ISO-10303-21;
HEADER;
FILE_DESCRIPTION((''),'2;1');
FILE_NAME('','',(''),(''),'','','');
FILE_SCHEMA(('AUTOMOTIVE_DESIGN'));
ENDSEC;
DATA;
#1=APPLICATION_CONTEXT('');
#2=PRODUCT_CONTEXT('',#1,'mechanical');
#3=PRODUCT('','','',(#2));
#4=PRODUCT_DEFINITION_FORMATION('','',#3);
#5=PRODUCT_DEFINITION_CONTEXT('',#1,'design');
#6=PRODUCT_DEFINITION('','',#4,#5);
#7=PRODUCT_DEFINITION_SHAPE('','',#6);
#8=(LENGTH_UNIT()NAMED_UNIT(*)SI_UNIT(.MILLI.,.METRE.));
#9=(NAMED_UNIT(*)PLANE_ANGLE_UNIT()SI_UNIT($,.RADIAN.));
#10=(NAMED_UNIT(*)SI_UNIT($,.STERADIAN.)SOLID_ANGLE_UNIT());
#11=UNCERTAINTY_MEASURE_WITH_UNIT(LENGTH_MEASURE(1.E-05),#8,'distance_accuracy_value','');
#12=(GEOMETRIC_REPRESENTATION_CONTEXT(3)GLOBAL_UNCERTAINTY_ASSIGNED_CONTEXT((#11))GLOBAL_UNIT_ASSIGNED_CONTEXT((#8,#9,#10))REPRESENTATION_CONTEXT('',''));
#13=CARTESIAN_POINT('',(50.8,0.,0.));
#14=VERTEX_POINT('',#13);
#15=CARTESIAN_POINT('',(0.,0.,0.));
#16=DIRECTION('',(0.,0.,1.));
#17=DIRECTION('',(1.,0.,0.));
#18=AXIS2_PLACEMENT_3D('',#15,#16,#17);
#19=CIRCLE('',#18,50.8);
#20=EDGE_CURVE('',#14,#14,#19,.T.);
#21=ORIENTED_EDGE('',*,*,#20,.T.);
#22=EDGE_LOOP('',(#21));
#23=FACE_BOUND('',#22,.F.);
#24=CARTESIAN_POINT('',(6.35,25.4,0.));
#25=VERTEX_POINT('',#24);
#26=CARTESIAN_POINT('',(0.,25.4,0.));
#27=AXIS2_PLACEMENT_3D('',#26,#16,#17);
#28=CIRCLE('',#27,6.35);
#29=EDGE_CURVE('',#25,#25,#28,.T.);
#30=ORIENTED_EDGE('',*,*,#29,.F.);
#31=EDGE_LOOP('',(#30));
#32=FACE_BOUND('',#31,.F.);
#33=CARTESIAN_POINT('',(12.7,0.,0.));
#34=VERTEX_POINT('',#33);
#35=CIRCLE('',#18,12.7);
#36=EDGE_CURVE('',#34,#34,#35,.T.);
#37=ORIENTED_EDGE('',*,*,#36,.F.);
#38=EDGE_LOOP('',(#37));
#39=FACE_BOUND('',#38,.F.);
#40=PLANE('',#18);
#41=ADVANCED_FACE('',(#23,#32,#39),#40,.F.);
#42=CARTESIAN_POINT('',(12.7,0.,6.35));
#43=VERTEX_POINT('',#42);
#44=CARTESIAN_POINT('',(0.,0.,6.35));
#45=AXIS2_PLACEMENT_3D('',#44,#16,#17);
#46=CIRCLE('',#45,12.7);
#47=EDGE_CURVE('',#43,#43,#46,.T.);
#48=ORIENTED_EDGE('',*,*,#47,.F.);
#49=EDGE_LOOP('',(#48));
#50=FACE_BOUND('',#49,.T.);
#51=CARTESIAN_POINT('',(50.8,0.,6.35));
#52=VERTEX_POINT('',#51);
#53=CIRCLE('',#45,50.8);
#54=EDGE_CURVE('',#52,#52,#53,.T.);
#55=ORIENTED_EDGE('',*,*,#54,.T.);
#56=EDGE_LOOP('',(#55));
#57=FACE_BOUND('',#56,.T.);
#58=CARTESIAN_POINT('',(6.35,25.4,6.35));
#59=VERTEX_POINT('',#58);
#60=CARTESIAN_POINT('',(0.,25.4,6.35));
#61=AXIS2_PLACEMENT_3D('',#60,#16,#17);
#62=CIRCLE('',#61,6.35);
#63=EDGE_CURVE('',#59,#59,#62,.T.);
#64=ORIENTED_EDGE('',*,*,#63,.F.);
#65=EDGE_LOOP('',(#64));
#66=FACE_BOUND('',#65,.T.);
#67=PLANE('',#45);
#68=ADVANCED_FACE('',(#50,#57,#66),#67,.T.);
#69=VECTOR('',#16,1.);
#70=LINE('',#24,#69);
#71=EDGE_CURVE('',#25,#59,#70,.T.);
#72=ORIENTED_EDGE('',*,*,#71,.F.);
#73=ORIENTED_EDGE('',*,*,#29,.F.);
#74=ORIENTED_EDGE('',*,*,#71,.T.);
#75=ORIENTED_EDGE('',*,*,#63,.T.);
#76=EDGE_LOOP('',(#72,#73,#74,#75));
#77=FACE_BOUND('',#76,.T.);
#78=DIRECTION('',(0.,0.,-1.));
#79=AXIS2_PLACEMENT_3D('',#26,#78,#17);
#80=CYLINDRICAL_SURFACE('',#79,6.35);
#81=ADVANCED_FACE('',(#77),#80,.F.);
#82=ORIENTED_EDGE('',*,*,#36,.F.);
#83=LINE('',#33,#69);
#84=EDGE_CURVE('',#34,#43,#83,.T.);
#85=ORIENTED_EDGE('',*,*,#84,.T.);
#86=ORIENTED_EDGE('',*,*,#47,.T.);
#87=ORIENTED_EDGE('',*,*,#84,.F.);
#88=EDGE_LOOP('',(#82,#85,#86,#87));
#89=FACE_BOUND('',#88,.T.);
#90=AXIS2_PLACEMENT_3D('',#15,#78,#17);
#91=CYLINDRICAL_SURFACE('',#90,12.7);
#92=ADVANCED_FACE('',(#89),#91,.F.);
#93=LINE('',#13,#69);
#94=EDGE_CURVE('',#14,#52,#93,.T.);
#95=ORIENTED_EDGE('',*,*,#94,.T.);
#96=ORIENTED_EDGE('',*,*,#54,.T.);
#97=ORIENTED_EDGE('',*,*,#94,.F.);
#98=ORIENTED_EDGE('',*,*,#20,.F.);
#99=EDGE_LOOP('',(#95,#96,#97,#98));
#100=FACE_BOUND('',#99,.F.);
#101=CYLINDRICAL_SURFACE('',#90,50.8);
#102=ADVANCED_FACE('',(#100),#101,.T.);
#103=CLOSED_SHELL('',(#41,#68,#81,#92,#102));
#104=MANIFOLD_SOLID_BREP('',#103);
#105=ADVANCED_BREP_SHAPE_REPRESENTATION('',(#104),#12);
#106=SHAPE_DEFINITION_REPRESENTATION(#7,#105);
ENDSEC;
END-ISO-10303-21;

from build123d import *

# Parameters (mm, degrees)
F0_R     = 50.8
F0_R_2   = 12.7
F0_R_3   = 6.35
F1_DEPTH = 6.35


with BuildPart() as f1:
    # F0 (on Top) → F1 (new body)
    with BuildSketch(Plane.XY):
        Circle(F0_R)
        Circle(F0_R_2, mode=Mode.SUBTRACT)
        with Locations((0, 25.4)):
            Circle(F0_R_3, mode=Mode.SUBTRACT)
    extrude(amount=F1_DEPTH)


solid = f1.part
